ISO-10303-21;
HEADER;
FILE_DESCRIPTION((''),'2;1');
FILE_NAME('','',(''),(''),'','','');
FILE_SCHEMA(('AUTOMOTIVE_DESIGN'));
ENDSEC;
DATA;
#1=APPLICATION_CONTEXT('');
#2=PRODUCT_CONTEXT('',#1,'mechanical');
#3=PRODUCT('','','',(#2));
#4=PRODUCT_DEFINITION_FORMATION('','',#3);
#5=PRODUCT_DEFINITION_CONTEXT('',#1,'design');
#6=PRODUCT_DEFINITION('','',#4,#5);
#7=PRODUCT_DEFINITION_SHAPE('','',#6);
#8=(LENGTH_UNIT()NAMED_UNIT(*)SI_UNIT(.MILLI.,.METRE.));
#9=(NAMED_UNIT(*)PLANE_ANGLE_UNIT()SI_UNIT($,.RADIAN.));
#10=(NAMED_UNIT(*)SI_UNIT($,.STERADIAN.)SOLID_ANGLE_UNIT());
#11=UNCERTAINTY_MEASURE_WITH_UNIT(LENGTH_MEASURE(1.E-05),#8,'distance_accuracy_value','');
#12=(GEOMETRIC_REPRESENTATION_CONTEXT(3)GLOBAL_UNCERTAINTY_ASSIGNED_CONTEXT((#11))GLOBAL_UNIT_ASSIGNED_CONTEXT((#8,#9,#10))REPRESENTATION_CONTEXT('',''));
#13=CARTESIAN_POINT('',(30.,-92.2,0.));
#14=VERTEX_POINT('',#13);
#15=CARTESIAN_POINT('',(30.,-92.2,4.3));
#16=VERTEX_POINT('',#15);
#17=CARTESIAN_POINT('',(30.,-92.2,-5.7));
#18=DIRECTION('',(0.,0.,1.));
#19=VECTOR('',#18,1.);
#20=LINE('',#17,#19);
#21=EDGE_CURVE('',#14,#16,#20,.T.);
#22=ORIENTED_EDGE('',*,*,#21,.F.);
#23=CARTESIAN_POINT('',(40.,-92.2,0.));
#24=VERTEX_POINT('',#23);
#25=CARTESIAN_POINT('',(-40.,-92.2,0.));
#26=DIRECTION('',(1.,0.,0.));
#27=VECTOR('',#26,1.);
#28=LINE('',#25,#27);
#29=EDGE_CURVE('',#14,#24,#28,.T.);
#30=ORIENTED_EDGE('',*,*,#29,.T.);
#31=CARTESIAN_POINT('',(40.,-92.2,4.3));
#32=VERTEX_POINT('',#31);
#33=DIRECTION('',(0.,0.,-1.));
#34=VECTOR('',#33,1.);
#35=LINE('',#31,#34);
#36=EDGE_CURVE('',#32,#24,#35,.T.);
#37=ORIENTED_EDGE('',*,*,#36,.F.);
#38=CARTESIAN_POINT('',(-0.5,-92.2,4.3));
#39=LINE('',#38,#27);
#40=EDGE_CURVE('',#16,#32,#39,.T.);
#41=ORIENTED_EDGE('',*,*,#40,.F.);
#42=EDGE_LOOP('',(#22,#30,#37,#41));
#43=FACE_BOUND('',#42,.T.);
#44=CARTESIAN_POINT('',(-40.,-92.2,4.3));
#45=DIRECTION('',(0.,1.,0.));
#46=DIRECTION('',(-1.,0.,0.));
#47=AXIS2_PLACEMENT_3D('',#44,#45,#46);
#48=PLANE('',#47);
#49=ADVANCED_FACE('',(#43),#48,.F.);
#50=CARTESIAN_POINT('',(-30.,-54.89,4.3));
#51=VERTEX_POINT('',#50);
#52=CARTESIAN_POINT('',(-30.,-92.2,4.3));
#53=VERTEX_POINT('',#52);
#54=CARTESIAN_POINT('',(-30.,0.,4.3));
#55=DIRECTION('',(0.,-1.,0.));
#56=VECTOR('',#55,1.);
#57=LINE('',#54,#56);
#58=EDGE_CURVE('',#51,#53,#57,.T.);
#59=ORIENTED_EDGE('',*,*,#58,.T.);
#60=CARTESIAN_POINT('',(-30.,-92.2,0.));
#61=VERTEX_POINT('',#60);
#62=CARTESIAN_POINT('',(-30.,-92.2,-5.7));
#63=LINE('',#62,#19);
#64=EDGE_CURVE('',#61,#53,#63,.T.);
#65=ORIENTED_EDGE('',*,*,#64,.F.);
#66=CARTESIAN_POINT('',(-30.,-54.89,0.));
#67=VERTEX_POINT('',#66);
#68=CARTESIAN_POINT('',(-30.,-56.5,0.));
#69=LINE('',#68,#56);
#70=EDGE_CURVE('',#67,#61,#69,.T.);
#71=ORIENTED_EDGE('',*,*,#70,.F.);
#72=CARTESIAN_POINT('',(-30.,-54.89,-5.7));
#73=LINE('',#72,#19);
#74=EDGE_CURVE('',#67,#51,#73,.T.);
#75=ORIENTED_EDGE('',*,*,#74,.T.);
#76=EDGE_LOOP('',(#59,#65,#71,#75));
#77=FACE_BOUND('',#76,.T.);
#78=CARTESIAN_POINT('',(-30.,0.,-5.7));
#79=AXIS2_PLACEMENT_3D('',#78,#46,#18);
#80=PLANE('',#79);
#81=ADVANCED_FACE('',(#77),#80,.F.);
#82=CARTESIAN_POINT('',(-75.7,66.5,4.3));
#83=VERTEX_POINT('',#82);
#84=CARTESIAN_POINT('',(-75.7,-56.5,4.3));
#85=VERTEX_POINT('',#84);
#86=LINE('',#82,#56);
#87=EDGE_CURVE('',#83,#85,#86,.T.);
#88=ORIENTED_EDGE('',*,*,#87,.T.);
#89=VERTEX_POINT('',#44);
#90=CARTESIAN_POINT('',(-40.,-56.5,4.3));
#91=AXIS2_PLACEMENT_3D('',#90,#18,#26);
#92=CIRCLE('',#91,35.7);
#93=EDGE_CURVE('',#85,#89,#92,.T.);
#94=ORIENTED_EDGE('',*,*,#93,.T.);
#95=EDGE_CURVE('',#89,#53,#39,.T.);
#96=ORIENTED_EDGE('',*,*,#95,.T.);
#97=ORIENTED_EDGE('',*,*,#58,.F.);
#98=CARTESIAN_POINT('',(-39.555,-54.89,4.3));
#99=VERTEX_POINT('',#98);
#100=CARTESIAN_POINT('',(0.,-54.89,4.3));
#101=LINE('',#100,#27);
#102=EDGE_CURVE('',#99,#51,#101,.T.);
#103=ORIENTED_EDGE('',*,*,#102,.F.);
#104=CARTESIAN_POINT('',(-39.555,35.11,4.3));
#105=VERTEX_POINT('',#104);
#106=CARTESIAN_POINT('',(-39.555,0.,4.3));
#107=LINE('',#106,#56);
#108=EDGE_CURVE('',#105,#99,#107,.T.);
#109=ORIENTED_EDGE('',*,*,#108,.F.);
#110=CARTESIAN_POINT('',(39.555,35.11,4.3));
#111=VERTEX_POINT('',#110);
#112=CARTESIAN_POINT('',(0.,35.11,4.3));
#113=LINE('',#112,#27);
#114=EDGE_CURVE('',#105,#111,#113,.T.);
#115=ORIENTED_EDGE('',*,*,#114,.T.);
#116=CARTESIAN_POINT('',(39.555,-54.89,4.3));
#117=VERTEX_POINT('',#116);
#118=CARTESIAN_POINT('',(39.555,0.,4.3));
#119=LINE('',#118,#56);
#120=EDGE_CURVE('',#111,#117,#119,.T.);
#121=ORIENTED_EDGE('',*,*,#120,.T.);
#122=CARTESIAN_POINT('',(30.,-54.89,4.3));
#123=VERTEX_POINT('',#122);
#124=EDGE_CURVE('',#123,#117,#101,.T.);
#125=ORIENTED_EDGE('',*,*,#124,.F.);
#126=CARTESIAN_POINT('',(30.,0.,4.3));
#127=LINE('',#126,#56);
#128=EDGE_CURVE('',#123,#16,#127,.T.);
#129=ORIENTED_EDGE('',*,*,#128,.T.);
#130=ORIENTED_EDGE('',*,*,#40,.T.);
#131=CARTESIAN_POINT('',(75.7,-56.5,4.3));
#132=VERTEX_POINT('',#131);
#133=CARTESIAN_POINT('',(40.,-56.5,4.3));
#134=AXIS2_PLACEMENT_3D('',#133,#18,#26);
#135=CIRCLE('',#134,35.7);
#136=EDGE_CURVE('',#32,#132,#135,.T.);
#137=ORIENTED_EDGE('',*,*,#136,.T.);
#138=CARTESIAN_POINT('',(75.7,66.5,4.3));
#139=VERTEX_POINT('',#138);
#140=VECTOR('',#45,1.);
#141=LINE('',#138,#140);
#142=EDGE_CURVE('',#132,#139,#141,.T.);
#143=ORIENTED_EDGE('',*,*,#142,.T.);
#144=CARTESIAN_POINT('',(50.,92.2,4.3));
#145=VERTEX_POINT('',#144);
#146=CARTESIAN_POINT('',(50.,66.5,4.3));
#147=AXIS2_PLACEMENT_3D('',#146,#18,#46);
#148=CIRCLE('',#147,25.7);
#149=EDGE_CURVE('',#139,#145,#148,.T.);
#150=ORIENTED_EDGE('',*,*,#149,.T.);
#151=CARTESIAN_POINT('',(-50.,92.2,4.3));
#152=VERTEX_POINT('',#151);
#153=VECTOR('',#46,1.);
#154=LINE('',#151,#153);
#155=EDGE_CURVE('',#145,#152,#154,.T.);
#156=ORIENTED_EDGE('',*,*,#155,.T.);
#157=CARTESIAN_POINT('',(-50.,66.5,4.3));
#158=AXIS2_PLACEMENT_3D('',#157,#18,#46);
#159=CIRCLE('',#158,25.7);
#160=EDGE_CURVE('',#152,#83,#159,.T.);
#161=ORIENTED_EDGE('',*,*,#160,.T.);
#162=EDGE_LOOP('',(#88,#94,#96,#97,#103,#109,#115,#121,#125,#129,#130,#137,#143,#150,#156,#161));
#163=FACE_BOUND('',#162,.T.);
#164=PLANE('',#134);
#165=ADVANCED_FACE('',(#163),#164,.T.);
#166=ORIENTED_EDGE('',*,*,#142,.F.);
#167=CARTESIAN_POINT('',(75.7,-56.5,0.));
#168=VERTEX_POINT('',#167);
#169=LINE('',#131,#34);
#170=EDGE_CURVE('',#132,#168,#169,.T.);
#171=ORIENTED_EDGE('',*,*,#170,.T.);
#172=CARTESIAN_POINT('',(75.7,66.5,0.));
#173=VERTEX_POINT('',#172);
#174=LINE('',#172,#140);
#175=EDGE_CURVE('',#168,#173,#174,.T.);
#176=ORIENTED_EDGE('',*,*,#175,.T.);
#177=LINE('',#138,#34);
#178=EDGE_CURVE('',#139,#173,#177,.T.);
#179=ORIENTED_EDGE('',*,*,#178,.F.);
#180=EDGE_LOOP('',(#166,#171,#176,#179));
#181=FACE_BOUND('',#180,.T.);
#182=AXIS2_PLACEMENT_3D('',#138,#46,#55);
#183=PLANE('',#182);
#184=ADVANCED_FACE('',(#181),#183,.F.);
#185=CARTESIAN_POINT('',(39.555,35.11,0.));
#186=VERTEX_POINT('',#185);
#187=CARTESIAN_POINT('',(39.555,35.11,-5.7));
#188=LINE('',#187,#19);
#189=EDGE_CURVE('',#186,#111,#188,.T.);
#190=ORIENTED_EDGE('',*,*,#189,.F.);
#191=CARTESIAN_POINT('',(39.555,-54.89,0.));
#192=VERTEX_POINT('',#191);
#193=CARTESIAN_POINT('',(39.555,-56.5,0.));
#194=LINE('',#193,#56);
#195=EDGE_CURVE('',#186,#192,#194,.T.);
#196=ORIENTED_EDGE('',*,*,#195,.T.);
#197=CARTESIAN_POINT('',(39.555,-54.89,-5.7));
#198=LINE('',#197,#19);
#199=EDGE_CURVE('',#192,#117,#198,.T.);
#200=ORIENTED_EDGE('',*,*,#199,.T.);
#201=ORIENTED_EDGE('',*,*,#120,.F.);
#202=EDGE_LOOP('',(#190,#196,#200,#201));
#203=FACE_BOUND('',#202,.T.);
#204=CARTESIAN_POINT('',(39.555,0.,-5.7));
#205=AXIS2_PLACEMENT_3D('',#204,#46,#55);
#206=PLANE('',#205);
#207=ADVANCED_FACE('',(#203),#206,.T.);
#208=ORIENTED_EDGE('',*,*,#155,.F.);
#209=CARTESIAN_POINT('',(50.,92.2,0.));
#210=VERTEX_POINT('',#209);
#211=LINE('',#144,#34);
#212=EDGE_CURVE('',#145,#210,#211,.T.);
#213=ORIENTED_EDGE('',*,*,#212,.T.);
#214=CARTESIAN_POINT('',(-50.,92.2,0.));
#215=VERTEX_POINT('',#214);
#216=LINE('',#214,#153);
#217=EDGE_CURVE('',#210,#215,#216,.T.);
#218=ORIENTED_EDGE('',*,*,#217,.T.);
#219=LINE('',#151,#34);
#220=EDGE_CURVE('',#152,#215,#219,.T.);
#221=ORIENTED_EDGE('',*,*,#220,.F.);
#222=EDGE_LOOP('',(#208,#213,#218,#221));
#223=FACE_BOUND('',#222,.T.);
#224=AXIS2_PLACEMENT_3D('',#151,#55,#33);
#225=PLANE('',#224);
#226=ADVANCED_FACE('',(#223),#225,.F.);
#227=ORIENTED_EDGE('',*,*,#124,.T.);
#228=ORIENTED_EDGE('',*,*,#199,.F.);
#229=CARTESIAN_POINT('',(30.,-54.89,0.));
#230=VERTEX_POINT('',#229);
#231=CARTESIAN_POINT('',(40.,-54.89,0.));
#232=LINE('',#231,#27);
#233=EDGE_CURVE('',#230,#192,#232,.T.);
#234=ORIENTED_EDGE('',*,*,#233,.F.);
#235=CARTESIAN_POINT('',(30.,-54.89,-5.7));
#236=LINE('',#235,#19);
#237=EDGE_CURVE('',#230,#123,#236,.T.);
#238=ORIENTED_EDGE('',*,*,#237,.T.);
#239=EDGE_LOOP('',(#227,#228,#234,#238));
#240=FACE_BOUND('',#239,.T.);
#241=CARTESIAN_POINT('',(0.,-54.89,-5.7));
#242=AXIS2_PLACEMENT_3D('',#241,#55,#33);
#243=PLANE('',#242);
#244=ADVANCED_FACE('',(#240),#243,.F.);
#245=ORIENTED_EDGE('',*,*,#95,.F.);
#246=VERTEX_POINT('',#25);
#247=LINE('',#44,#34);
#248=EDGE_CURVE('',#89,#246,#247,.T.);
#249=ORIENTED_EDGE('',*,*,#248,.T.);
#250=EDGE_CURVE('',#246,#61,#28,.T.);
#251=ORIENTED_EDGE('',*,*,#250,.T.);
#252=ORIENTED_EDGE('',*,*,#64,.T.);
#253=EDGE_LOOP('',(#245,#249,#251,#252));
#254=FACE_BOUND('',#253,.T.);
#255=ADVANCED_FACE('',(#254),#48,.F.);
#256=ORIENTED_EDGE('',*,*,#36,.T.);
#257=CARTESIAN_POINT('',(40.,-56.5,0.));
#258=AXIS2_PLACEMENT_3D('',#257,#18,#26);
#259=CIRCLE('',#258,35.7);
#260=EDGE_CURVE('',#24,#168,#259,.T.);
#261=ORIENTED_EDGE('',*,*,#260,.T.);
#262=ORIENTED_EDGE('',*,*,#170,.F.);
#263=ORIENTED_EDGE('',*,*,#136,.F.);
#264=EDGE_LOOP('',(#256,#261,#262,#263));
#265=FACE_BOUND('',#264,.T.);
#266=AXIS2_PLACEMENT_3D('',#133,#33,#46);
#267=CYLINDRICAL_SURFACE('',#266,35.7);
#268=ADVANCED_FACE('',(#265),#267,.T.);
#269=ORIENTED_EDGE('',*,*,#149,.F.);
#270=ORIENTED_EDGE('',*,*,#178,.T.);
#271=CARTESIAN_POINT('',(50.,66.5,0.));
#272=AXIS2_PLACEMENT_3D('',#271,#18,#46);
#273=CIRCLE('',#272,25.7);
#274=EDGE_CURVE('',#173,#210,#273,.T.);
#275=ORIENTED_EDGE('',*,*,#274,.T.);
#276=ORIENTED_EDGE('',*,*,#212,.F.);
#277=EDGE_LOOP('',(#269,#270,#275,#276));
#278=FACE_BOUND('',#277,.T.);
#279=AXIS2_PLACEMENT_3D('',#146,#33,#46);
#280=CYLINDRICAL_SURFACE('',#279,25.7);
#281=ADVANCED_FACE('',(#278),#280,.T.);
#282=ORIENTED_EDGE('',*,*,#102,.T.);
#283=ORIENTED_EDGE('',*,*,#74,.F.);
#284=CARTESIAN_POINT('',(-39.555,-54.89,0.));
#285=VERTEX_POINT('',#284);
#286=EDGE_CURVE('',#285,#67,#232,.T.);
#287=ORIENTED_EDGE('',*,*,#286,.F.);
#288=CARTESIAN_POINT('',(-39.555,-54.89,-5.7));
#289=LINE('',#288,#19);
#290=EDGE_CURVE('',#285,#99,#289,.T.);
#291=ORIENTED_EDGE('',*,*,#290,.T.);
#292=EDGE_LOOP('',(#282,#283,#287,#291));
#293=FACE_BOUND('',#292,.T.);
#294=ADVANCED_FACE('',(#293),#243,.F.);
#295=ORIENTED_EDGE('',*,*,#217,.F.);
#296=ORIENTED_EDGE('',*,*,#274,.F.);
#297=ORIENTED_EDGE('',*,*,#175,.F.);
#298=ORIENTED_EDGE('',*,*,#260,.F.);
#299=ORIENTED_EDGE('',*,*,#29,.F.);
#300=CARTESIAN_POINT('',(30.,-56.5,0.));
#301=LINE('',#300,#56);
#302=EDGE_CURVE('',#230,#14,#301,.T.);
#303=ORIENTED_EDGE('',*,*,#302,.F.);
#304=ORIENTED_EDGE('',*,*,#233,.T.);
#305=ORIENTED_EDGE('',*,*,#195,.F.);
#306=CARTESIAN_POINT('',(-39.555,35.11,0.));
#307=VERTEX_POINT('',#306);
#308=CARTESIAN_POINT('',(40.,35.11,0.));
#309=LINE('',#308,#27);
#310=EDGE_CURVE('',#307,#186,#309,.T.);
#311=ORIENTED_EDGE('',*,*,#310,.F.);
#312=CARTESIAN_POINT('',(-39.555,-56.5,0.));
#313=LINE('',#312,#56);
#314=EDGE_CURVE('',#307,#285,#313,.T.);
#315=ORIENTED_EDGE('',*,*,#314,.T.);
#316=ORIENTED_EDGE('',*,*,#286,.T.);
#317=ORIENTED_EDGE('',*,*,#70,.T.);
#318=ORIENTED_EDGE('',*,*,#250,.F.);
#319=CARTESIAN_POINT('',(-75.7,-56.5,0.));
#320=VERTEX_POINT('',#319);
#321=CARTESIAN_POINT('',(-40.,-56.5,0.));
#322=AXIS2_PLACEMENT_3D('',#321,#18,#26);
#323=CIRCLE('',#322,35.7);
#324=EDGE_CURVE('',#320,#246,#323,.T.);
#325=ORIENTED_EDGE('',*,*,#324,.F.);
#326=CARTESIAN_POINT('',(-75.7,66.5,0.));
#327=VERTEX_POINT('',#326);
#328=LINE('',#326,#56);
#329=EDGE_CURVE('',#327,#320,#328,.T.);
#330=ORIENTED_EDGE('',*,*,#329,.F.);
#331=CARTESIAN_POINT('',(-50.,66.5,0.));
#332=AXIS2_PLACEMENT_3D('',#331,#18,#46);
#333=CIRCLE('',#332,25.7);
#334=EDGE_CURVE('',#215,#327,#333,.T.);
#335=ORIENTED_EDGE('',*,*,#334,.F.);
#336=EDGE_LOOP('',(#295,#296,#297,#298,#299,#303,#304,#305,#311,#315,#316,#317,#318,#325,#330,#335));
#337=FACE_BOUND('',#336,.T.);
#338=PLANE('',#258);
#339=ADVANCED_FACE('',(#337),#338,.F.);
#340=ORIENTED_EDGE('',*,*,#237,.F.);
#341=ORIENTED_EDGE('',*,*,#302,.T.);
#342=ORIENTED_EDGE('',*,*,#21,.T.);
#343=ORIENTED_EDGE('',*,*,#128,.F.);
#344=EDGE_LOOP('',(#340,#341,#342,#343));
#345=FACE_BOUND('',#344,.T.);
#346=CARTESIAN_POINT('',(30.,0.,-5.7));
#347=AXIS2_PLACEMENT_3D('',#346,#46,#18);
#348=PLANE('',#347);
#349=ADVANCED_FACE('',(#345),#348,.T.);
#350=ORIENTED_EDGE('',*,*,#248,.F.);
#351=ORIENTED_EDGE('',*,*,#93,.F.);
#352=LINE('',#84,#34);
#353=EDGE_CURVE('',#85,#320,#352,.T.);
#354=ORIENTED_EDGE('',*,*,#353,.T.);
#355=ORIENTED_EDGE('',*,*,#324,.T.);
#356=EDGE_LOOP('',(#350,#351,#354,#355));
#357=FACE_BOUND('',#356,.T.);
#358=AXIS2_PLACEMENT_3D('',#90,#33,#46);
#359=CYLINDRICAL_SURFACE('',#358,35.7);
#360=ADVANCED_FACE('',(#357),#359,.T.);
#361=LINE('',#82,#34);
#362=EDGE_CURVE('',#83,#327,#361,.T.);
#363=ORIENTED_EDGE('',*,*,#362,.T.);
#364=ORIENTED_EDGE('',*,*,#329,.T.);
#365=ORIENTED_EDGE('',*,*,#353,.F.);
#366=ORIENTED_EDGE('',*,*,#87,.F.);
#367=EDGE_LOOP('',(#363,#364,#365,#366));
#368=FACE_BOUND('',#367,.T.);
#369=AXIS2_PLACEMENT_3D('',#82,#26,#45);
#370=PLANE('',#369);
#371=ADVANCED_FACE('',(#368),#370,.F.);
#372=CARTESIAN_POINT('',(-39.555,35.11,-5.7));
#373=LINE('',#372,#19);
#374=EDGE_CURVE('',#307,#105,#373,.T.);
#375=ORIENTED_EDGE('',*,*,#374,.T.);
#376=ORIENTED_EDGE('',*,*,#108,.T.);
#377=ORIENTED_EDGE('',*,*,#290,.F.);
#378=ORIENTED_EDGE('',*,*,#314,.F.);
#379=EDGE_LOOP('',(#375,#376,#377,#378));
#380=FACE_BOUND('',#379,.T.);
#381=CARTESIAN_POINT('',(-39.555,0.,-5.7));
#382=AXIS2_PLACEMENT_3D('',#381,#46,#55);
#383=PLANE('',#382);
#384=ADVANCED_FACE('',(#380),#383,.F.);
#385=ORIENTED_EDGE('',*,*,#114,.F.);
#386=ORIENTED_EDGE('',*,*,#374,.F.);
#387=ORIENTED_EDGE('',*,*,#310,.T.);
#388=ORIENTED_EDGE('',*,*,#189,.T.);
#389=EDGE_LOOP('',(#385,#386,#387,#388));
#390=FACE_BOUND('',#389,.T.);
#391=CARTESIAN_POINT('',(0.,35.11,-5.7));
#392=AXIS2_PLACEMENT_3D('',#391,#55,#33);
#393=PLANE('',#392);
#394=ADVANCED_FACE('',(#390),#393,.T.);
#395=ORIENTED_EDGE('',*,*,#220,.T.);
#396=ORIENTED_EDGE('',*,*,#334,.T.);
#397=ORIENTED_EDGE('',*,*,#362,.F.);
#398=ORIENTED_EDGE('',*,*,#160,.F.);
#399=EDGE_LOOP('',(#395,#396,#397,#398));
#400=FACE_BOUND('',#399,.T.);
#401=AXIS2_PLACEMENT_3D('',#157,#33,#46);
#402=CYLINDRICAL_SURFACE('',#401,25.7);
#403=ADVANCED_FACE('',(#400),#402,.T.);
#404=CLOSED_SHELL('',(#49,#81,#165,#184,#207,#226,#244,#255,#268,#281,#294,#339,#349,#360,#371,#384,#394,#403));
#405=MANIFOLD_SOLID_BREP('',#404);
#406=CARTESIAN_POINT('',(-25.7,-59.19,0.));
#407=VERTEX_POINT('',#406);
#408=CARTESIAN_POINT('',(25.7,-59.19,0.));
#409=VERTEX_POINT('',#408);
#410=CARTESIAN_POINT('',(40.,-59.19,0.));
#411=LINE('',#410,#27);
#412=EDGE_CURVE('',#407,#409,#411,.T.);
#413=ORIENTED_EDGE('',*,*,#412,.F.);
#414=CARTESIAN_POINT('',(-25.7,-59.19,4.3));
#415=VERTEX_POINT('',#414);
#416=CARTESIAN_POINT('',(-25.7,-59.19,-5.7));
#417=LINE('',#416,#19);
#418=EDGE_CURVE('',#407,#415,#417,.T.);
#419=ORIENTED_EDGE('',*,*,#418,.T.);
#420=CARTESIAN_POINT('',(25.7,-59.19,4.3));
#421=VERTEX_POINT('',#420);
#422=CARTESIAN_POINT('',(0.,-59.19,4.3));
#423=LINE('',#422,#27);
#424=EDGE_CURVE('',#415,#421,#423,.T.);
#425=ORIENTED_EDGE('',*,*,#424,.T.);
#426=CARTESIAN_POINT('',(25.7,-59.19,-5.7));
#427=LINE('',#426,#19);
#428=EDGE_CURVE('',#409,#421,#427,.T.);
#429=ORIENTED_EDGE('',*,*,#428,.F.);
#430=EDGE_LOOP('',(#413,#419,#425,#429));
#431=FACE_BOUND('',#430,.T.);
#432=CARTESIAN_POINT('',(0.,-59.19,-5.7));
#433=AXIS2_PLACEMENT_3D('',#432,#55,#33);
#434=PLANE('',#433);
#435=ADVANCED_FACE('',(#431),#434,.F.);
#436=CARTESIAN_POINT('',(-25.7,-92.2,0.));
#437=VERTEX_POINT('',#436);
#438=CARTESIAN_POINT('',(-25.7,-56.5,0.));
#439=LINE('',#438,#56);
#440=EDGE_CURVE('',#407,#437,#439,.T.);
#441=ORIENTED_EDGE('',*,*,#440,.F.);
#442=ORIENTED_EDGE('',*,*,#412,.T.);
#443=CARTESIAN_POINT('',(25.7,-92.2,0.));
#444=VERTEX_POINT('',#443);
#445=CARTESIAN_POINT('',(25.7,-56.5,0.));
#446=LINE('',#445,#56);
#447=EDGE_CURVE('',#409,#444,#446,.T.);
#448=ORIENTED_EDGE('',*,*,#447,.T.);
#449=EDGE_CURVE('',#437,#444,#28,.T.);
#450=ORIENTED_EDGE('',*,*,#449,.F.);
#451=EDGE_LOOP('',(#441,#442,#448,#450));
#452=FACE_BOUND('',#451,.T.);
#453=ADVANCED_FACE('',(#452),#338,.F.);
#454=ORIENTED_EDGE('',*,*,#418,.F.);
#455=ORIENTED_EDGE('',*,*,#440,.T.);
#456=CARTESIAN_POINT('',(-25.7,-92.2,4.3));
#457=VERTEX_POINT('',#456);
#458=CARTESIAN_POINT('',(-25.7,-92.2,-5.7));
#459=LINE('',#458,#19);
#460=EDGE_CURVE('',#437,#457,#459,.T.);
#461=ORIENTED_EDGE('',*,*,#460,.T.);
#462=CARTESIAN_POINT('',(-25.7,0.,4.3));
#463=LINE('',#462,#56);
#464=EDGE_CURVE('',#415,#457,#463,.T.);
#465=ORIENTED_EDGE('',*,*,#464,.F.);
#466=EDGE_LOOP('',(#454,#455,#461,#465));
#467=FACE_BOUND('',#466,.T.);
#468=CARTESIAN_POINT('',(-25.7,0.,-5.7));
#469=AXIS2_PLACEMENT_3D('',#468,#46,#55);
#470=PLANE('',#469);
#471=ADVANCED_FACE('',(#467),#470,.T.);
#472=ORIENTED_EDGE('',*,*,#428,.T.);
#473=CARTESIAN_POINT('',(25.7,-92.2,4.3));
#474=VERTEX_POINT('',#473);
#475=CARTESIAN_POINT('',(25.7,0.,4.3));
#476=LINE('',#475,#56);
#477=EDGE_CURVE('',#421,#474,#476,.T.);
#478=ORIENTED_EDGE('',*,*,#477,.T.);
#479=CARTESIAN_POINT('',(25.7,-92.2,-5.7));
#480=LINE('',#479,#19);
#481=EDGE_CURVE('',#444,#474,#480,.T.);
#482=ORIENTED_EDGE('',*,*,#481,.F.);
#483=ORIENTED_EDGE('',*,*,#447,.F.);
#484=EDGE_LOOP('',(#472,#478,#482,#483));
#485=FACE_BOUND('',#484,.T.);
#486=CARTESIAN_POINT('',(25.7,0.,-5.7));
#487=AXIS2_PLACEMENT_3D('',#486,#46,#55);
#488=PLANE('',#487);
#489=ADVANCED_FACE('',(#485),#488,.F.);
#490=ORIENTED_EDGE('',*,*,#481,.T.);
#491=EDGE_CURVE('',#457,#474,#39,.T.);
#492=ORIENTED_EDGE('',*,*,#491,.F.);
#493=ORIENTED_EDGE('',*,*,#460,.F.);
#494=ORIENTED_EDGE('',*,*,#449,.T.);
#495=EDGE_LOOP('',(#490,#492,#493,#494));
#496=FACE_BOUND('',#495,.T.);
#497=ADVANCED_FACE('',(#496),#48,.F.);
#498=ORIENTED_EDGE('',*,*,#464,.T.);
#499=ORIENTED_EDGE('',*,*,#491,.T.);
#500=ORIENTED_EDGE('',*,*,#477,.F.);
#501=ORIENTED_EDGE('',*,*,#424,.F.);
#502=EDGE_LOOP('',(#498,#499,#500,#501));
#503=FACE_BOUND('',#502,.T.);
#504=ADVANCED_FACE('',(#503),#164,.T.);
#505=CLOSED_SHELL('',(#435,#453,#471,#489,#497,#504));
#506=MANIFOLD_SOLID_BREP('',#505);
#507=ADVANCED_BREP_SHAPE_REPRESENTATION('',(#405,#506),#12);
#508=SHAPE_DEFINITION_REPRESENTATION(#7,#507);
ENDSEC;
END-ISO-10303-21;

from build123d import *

# Parameters (mm, degrees)
BOSS_EXTRUDE1_DEPTH = 4.3
SKETCH2_W           = 79.11
SKETCH2_H           = 90
SKETCH2_W_2         = 4.3
SKETCH2_H_2         = 33.01
CUT_EXTRUDE1_DEPTH  = 10


with BuildPart() as part:
    # Sketch1 → Boss-Extrude1 (new body)
    with BuildSketch(Plane.XY):
        with BuildLine():
            Line((0.5, -92.2), (40, -92.2))
            ThreePointArc((40, -92.2), (65.243712088, -81.743712088), (75.7, -56.5))
            Line((75.7, -56.5), (75.7, 66.5))
            ThreePointArc((75.7, 66.5), (68.172644276, 84.672644276), (50, 92.2))
            Line((50, 92.2), (-50, 92.2))
            ThreePointArc((-50, 92.2), (-68.172644276, 84.672644276), (-75.7, 66.5))
            Line((-75.7, 66.5), (-75.7, -56.5))
            ThreePointArc((-75.7, -56.5), (-65.243712088, -81.743712088), (-40, -92.2))
            Line((-40, -92.2), (-0.5, -92.2))
            Line((-0.5, -92.2), (0.5, -92.2))
        make_face()
    extrude(amount=BOSS_EXTRUDE1_DEPTH)

    # Sketch2 → Cut-Extrude1 (cut)
    with BuildSketch(Plane.XY.offset(4.3)):
        with Locations((0, -9.89)):
            Rectangle(SKETCH2_W, SKETCH2_H)
        Polygon((30, -54.89), (-30, -54.89), (-30, -59.19), (-25.7, -59.19), (25.7, -59.19), (30, -59.19), align=None)
        with Locations((-27.85, -75.695)):
            Rectangle(SKETCH2_W_2, SKETCH2_H_2)
        with Locations((27.85, -75.695)):
            Rectangle(SKETCH2_W_2, SKETCH2_H_2)
    extrude(amount=-CUT_EXTRUDE1_DEPTH, mode=Mode.SUBTRACT)


solid = part.part
